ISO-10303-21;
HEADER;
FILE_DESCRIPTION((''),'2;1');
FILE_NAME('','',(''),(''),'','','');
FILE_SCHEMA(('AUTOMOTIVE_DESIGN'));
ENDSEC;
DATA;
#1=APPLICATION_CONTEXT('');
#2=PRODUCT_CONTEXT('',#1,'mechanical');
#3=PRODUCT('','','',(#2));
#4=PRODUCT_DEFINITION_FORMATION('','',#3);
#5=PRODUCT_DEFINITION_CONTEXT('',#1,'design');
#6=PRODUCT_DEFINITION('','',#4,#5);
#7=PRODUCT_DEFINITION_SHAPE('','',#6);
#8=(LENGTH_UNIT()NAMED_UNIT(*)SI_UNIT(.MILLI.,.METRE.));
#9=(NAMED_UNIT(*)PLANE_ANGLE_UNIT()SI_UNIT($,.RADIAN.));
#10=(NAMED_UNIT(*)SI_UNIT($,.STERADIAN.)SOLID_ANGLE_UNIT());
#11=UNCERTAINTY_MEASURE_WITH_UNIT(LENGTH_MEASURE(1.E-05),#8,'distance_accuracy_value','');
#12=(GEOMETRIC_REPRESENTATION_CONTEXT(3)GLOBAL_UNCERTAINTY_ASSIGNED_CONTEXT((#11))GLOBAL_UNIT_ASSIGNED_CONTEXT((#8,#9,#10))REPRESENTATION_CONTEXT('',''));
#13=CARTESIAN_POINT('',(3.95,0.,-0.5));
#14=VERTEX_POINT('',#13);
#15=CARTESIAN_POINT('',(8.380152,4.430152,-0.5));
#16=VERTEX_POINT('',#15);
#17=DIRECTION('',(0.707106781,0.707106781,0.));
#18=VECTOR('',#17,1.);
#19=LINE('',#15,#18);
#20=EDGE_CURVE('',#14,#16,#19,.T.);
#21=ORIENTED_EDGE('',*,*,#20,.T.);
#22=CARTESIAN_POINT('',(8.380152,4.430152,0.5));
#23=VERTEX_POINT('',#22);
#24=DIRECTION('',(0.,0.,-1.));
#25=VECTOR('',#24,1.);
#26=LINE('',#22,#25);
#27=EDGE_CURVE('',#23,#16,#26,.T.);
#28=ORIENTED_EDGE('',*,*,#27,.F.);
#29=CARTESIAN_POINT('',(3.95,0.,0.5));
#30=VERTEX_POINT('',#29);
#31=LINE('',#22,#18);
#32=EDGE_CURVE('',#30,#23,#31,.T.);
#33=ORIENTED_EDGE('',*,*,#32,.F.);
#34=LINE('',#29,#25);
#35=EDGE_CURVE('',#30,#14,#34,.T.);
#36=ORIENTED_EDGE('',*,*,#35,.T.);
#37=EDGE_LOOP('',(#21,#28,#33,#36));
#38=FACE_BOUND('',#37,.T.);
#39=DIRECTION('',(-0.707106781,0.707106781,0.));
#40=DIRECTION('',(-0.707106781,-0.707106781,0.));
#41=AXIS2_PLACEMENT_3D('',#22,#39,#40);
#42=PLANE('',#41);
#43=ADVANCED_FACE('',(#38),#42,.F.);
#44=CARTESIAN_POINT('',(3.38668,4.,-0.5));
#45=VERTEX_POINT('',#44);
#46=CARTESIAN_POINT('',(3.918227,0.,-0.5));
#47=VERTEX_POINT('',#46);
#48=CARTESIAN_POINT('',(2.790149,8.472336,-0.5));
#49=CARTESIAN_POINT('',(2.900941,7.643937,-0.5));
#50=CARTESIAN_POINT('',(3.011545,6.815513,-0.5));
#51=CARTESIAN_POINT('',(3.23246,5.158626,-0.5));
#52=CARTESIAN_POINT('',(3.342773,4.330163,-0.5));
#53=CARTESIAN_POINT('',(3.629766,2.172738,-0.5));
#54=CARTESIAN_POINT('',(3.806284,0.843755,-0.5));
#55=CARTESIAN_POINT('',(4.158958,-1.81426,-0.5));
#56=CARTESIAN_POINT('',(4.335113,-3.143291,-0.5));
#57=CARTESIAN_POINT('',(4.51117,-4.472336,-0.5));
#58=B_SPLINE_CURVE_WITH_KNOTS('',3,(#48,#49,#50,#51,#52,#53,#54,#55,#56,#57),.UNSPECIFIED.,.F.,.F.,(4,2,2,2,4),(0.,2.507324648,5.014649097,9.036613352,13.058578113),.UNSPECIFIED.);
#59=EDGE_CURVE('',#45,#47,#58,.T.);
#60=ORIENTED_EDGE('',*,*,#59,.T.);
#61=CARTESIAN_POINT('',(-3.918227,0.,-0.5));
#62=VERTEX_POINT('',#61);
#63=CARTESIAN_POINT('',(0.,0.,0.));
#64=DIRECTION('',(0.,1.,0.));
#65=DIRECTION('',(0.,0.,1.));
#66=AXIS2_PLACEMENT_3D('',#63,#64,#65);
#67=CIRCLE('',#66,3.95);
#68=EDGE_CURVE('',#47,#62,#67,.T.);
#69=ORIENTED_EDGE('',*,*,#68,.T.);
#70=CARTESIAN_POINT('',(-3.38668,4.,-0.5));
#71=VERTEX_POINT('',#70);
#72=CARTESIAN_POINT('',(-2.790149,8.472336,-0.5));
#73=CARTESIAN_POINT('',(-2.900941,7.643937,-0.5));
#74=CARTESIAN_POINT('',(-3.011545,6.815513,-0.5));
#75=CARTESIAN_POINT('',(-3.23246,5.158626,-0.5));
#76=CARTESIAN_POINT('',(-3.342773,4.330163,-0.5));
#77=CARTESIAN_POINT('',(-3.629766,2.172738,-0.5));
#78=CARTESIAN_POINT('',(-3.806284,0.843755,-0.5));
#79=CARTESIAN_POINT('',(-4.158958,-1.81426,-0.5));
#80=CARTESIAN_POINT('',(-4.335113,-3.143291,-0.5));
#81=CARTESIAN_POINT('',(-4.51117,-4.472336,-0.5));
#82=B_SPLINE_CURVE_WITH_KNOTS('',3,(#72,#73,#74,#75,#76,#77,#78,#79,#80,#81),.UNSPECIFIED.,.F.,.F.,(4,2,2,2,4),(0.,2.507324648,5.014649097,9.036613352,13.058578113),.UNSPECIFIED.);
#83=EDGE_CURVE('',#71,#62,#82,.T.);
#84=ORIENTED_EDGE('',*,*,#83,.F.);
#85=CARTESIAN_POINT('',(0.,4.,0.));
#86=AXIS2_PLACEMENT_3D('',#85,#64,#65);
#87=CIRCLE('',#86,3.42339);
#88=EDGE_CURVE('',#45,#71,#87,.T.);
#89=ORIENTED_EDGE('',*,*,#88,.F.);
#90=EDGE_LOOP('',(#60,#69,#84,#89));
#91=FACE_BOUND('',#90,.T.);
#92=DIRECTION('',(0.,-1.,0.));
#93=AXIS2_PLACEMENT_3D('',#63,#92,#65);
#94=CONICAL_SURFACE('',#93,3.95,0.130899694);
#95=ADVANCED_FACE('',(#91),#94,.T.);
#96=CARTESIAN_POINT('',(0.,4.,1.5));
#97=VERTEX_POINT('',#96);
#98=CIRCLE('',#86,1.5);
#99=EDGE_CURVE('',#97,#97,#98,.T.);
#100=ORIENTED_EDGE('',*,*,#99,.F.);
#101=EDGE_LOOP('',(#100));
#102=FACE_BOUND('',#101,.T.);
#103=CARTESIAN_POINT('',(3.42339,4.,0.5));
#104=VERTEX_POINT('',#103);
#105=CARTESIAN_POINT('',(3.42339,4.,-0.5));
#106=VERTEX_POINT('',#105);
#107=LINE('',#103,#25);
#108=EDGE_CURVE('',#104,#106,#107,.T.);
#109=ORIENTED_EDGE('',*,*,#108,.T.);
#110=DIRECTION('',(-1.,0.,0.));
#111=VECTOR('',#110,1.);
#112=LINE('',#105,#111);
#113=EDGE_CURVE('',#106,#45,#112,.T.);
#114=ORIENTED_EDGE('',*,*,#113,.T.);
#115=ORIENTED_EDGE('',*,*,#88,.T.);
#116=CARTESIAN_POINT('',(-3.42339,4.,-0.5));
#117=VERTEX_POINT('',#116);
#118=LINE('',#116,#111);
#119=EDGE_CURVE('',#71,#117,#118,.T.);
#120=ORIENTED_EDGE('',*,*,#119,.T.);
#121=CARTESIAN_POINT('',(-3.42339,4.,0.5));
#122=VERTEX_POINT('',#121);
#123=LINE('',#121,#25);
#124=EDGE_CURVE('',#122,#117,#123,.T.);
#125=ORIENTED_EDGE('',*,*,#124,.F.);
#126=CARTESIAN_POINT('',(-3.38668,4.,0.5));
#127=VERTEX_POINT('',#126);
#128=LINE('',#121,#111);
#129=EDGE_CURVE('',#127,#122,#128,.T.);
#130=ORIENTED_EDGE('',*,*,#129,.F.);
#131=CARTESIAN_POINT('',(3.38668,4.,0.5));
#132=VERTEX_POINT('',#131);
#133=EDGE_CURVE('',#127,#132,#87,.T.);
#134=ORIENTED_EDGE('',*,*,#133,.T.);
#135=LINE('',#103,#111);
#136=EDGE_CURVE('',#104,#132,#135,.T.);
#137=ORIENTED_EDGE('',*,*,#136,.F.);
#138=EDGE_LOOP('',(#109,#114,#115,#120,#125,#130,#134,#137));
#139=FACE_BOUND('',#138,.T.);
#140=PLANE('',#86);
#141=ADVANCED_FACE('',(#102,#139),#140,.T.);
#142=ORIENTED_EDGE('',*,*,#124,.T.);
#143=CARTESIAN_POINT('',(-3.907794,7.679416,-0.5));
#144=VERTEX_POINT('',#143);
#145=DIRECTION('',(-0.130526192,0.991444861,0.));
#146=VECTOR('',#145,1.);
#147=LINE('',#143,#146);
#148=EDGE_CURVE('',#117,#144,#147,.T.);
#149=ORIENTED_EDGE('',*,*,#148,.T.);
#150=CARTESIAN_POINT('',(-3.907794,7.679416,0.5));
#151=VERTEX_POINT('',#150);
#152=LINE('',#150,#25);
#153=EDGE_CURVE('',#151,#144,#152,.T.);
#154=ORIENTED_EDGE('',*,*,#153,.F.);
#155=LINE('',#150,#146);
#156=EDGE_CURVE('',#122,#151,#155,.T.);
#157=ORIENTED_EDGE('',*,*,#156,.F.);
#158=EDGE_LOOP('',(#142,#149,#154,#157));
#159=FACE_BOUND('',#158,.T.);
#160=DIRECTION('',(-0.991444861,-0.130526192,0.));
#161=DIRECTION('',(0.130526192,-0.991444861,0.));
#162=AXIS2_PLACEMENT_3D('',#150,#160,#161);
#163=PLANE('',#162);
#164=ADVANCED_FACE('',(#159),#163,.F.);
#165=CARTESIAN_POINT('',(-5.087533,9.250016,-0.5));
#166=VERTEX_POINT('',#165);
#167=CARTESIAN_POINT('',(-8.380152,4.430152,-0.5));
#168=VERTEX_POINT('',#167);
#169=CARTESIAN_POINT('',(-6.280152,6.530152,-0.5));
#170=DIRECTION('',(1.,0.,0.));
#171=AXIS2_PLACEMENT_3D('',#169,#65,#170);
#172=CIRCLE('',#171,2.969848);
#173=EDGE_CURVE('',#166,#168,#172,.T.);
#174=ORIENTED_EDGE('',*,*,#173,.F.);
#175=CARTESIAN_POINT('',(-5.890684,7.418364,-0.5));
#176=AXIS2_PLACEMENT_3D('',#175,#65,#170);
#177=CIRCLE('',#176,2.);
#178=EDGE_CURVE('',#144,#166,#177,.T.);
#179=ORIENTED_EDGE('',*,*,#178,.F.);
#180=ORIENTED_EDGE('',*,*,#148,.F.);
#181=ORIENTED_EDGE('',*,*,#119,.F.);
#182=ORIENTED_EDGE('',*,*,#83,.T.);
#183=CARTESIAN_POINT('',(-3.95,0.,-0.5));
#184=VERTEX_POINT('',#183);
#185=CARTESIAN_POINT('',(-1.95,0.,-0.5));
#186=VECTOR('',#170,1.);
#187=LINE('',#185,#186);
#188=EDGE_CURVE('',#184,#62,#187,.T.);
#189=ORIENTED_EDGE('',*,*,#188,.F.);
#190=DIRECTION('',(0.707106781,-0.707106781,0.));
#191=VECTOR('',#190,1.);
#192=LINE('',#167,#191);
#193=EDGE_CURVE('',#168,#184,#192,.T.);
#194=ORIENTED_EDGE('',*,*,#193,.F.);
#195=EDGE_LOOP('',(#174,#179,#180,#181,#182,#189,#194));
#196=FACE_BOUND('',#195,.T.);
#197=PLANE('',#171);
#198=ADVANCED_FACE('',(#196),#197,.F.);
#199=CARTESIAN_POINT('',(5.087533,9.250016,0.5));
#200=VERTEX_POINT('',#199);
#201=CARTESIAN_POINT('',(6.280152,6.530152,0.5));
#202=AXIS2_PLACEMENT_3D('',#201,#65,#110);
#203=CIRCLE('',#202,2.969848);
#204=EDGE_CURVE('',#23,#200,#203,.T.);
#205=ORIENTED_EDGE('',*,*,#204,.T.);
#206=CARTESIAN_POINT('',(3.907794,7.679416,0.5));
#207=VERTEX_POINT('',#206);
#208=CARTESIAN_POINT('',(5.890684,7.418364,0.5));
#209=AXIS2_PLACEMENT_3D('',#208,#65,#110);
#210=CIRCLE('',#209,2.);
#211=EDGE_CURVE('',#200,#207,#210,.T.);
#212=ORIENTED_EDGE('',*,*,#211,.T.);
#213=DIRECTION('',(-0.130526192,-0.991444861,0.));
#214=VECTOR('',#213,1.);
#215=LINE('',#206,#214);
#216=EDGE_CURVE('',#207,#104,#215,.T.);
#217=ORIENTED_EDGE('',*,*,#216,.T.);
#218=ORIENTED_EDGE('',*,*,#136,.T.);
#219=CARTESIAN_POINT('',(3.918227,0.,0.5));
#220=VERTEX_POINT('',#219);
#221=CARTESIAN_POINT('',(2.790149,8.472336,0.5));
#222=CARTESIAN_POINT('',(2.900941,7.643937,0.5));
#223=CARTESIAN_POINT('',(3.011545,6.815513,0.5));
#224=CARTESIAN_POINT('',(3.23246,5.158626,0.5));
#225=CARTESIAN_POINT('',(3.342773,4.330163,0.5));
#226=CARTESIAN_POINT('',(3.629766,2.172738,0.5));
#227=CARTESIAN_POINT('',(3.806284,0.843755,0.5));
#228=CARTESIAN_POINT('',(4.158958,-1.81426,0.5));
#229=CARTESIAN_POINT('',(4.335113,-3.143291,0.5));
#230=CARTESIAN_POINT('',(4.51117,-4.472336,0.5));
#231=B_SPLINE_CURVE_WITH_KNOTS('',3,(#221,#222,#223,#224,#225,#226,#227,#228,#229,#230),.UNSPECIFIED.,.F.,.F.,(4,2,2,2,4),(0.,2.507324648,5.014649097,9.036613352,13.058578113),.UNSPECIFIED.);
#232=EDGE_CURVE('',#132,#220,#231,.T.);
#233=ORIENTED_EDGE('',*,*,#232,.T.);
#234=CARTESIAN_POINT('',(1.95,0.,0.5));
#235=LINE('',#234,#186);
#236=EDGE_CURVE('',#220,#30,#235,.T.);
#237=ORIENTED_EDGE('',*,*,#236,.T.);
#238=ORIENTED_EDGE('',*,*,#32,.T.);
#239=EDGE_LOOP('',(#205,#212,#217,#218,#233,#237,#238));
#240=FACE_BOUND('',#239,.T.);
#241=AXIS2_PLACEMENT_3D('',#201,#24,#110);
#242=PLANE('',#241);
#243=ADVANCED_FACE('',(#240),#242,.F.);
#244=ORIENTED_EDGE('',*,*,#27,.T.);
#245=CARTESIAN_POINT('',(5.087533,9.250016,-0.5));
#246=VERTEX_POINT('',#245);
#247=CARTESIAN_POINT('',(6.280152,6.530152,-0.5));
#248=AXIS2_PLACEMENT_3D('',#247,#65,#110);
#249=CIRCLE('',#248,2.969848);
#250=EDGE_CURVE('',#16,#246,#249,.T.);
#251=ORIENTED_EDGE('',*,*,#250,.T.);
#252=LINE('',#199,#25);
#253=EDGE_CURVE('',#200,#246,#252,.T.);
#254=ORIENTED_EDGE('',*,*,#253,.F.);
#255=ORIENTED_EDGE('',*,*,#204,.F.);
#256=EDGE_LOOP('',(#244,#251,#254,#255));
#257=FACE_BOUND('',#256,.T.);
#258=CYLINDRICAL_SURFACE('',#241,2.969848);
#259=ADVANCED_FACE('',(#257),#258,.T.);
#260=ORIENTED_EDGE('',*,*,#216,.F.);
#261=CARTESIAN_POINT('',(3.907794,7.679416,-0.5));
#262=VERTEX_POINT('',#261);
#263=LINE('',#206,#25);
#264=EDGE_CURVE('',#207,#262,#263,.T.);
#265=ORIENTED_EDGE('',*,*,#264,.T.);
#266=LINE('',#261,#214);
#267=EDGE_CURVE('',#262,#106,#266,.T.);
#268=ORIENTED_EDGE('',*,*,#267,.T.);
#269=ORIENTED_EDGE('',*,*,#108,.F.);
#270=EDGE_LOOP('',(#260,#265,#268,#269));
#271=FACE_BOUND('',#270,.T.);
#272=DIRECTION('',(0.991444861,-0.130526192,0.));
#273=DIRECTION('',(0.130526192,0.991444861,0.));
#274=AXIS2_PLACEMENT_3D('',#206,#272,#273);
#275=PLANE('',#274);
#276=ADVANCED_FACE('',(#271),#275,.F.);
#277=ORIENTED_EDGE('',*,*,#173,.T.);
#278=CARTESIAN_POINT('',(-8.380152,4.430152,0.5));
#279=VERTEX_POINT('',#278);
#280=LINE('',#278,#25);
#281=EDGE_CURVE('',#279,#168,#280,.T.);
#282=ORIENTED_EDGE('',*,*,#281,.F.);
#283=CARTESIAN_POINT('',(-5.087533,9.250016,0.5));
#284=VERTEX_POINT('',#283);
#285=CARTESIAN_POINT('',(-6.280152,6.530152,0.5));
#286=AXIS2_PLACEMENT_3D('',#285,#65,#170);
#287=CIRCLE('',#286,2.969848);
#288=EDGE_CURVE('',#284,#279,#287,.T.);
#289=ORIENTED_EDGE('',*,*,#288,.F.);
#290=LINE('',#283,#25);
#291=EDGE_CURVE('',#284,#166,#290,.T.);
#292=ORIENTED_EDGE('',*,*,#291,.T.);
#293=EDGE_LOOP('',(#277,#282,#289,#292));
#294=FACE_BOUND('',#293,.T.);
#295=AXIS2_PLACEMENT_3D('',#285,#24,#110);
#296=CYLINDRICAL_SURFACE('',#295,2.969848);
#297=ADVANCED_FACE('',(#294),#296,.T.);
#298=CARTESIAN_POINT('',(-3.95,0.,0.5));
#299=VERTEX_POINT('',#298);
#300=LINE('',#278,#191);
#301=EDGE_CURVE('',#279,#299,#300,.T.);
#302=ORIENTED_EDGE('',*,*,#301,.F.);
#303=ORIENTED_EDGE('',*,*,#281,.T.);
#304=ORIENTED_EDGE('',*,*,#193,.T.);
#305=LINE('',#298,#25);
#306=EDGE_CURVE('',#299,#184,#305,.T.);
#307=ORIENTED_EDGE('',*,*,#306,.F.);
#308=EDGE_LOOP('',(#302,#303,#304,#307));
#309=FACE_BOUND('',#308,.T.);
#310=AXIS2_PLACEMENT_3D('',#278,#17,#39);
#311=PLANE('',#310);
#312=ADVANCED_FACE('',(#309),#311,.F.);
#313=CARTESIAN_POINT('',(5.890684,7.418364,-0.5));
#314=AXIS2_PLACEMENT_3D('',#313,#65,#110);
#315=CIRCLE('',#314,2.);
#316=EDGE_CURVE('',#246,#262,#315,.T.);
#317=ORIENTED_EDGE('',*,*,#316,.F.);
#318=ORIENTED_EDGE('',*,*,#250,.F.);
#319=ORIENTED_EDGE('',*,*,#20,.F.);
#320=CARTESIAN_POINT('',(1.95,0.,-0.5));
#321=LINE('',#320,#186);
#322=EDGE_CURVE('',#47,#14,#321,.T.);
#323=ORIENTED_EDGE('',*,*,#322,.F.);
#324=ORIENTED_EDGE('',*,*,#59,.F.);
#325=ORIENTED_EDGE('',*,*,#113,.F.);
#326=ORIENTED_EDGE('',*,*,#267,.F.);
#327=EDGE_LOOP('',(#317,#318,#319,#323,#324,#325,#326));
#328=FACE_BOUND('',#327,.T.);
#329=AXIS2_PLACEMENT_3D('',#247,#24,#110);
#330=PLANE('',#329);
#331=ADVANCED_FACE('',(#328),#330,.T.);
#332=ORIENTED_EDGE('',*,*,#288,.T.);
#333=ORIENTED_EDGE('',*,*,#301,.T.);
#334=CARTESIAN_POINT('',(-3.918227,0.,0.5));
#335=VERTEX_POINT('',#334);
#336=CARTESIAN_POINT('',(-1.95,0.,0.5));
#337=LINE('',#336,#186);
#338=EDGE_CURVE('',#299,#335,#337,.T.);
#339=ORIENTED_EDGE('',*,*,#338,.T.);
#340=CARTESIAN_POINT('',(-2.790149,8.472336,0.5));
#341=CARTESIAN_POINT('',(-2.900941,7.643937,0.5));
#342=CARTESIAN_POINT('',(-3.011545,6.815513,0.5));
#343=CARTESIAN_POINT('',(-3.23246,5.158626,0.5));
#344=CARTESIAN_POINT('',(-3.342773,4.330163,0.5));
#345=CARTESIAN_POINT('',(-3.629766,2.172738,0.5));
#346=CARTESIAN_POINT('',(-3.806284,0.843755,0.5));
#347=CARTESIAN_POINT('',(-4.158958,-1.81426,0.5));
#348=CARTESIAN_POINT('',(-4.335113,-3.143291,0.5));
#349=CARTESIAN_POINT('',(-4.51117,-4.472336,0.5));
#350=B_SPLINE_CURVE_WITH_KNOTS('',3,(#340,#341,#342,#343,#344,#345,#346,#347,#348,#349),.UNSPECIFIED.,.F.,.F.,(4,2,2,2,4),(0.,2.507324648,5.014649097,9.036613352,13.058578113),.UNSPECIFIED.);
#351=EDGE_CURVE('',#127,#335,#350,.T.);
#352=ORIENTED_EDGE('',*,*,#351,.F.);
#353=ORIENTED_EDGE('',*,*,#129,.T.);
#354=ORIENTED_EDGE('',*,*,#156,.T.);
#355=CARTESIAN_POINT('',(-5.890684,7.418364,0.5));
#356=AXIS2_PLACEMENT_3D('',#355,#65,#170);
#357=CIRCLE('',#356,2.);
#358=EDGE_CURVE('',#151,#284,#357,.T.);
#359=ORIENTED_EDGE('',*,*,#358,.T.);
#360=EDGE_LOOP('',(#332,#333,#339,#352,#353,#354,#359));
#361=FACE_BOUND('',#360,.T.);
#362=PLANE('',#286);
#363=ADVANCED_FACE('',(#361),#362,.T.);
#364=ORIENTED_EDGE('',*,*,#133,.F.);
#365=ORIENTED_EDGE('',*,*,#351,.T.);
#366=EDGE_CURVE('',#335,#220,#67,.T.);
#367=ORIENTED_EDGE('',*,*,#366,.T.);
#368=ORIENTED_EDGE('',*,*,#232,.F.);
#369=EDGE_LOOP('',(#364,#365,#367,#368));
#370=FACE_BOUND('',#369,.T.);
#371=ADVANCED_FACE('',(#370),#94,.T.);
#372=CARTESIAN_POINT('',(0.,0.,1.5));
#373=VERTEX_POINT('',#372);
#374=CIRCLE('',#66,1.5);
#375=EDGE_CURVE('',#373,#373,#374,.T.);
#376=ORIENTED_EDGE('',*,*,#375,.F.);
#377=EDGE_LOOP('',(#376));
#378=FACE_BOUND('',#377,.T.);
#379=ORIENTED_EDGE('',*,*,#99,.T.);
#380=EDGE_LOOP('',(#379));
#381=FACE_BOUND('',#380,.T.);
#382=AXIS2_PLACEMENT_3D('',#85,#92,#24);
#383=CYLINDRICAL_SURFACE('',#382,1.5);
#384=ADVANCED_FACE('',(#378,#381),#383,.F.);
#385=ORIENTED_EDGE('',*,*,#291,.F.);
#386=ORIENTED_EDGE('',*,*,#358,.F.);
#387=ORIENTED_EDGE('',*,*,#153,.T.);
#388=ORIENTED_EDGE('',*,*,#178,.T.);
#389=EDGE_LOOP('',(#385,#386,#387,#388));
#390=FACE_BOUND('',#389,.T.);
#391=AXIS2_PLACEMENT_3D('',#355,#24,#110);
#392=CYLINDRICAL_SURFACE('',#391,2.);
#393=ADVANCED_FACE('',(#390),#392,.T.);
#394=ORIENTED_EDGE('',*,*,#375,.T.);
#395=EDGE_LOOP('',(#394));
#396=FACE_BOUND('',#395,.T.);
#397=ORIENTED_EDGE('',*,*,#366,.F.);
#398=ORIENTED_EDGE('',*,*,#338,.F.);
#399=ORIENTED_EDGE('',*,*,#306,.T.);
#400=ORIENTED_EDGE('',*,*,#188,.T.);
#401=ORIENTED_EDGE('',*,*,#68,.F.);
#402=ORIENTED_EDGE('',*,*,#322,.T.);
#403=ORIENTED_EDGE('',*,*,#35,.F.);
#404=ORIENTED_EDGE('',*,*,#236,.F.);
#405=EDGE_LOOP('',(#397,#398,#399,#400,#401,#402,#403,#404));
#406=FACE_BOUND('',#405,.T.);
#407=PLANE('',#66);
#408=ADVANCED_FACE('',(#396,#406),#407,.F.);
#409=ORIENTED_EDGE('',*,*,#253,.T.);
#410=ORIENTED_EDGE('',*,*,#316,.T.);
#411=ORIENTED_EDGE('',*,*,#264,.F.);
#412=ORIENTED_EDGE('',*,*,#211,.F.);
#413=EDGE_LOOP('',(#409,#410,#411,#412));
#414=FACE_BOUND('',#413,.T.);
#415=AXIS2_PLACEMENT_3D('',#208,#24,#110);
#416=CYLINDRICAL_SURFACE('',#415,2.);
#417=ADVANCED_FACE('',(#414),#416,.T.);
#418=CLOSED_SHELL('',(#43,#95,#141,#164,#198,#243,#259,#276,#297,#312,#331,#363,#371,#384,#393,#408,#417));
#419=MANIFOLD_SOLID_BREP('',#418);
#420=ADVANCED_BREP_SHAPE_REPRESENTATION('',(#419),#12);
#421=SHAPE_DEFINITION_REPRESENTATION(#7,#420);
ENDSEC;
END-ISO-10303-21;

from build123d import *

# Parameters (mm, degrees)
SKETCH_1_R          = 3.95
EXTRUDE_1_DEPTH     = 4
EXTRUDE_1_TAPER     = 7.5
SKETCH_2_R          = 1.5
CUT_EXTRUDE_1_DEPTH = 4
EXTRUDE_2_DEPTH     = 0.5


with BuildPart() as part:
    # 草图1 → 凸台-拉伸1 (new body)
    with BuildSketch(Plane(origin=(0, 0, 0), x_dir=(1, 0, 0), z_dir=(0, 1, 0))):
        Circle(SKETCH_1_R)
    extrude(amount=EXTRUDE_1_DEPTH, taper=EXTRUDE_1_TAPER)

    # 草图2 → 切除-拉伸1 (cut)
    with BuildSketch(Plane(origin=(0, 0, 0), x_dir=(1, 0, 0), z_dir=(0, 1, 0))):
        Circle(SKETCH_2_R)
    extrude(amount=CUT_EXTRUDE_1_DEPTH, mode=Mode.SUBTRACT)

    # 草图3 → 凸台-拉伸2 (add, symmetric)
    with BuildSketch(Plane.XY):
        with BuildLine():
            Line((8.380151519, 4.430151519), (3.95, 0))
            Line((3.95, 0), (1.95, 0))
            Line((1.95, 0), (1.95, 4))
            Line((1.95, 4), (3.42339001, 4))
            Line((3.42339001, 4), (3.907794349, 7.679416256))
            ThreePointArc((3.907794349, 7.679416256), (4.291558837, 8.619529341), (5.087532952, 9.250015662))
            ThreePointArc((5.087532952, 9.250015662), (8.73241738, 8.205380502), (8.380151519, 4.430151519))
        make_face()
        with BuildLine():
            Line((-1.95, 4), (-1.95, 0))
            Line((-1.95, 0), (-3.95, 0))
            Line((-3.95, 0), (-8.380151519, 4.430151519))
            ThreePointArc((-8.380151519, 4.430151519), (-8.73241738, 8.205380502), (-5.087532952, 9.250015662))
            ThreePointArc((-5.087532952, 9.250015662), (-4.291558837, 8.619529341), (-3.907794349, 7.679416256))
            Line((-3.907794349, 7.679416256), (-3.42339001, 4))
            Line((-3.42339001, 4), (-1.95, 4))
        make_face()
    extrude(amount=EXTRUDE_2_DEPTH, both=True)


solid = part.part
